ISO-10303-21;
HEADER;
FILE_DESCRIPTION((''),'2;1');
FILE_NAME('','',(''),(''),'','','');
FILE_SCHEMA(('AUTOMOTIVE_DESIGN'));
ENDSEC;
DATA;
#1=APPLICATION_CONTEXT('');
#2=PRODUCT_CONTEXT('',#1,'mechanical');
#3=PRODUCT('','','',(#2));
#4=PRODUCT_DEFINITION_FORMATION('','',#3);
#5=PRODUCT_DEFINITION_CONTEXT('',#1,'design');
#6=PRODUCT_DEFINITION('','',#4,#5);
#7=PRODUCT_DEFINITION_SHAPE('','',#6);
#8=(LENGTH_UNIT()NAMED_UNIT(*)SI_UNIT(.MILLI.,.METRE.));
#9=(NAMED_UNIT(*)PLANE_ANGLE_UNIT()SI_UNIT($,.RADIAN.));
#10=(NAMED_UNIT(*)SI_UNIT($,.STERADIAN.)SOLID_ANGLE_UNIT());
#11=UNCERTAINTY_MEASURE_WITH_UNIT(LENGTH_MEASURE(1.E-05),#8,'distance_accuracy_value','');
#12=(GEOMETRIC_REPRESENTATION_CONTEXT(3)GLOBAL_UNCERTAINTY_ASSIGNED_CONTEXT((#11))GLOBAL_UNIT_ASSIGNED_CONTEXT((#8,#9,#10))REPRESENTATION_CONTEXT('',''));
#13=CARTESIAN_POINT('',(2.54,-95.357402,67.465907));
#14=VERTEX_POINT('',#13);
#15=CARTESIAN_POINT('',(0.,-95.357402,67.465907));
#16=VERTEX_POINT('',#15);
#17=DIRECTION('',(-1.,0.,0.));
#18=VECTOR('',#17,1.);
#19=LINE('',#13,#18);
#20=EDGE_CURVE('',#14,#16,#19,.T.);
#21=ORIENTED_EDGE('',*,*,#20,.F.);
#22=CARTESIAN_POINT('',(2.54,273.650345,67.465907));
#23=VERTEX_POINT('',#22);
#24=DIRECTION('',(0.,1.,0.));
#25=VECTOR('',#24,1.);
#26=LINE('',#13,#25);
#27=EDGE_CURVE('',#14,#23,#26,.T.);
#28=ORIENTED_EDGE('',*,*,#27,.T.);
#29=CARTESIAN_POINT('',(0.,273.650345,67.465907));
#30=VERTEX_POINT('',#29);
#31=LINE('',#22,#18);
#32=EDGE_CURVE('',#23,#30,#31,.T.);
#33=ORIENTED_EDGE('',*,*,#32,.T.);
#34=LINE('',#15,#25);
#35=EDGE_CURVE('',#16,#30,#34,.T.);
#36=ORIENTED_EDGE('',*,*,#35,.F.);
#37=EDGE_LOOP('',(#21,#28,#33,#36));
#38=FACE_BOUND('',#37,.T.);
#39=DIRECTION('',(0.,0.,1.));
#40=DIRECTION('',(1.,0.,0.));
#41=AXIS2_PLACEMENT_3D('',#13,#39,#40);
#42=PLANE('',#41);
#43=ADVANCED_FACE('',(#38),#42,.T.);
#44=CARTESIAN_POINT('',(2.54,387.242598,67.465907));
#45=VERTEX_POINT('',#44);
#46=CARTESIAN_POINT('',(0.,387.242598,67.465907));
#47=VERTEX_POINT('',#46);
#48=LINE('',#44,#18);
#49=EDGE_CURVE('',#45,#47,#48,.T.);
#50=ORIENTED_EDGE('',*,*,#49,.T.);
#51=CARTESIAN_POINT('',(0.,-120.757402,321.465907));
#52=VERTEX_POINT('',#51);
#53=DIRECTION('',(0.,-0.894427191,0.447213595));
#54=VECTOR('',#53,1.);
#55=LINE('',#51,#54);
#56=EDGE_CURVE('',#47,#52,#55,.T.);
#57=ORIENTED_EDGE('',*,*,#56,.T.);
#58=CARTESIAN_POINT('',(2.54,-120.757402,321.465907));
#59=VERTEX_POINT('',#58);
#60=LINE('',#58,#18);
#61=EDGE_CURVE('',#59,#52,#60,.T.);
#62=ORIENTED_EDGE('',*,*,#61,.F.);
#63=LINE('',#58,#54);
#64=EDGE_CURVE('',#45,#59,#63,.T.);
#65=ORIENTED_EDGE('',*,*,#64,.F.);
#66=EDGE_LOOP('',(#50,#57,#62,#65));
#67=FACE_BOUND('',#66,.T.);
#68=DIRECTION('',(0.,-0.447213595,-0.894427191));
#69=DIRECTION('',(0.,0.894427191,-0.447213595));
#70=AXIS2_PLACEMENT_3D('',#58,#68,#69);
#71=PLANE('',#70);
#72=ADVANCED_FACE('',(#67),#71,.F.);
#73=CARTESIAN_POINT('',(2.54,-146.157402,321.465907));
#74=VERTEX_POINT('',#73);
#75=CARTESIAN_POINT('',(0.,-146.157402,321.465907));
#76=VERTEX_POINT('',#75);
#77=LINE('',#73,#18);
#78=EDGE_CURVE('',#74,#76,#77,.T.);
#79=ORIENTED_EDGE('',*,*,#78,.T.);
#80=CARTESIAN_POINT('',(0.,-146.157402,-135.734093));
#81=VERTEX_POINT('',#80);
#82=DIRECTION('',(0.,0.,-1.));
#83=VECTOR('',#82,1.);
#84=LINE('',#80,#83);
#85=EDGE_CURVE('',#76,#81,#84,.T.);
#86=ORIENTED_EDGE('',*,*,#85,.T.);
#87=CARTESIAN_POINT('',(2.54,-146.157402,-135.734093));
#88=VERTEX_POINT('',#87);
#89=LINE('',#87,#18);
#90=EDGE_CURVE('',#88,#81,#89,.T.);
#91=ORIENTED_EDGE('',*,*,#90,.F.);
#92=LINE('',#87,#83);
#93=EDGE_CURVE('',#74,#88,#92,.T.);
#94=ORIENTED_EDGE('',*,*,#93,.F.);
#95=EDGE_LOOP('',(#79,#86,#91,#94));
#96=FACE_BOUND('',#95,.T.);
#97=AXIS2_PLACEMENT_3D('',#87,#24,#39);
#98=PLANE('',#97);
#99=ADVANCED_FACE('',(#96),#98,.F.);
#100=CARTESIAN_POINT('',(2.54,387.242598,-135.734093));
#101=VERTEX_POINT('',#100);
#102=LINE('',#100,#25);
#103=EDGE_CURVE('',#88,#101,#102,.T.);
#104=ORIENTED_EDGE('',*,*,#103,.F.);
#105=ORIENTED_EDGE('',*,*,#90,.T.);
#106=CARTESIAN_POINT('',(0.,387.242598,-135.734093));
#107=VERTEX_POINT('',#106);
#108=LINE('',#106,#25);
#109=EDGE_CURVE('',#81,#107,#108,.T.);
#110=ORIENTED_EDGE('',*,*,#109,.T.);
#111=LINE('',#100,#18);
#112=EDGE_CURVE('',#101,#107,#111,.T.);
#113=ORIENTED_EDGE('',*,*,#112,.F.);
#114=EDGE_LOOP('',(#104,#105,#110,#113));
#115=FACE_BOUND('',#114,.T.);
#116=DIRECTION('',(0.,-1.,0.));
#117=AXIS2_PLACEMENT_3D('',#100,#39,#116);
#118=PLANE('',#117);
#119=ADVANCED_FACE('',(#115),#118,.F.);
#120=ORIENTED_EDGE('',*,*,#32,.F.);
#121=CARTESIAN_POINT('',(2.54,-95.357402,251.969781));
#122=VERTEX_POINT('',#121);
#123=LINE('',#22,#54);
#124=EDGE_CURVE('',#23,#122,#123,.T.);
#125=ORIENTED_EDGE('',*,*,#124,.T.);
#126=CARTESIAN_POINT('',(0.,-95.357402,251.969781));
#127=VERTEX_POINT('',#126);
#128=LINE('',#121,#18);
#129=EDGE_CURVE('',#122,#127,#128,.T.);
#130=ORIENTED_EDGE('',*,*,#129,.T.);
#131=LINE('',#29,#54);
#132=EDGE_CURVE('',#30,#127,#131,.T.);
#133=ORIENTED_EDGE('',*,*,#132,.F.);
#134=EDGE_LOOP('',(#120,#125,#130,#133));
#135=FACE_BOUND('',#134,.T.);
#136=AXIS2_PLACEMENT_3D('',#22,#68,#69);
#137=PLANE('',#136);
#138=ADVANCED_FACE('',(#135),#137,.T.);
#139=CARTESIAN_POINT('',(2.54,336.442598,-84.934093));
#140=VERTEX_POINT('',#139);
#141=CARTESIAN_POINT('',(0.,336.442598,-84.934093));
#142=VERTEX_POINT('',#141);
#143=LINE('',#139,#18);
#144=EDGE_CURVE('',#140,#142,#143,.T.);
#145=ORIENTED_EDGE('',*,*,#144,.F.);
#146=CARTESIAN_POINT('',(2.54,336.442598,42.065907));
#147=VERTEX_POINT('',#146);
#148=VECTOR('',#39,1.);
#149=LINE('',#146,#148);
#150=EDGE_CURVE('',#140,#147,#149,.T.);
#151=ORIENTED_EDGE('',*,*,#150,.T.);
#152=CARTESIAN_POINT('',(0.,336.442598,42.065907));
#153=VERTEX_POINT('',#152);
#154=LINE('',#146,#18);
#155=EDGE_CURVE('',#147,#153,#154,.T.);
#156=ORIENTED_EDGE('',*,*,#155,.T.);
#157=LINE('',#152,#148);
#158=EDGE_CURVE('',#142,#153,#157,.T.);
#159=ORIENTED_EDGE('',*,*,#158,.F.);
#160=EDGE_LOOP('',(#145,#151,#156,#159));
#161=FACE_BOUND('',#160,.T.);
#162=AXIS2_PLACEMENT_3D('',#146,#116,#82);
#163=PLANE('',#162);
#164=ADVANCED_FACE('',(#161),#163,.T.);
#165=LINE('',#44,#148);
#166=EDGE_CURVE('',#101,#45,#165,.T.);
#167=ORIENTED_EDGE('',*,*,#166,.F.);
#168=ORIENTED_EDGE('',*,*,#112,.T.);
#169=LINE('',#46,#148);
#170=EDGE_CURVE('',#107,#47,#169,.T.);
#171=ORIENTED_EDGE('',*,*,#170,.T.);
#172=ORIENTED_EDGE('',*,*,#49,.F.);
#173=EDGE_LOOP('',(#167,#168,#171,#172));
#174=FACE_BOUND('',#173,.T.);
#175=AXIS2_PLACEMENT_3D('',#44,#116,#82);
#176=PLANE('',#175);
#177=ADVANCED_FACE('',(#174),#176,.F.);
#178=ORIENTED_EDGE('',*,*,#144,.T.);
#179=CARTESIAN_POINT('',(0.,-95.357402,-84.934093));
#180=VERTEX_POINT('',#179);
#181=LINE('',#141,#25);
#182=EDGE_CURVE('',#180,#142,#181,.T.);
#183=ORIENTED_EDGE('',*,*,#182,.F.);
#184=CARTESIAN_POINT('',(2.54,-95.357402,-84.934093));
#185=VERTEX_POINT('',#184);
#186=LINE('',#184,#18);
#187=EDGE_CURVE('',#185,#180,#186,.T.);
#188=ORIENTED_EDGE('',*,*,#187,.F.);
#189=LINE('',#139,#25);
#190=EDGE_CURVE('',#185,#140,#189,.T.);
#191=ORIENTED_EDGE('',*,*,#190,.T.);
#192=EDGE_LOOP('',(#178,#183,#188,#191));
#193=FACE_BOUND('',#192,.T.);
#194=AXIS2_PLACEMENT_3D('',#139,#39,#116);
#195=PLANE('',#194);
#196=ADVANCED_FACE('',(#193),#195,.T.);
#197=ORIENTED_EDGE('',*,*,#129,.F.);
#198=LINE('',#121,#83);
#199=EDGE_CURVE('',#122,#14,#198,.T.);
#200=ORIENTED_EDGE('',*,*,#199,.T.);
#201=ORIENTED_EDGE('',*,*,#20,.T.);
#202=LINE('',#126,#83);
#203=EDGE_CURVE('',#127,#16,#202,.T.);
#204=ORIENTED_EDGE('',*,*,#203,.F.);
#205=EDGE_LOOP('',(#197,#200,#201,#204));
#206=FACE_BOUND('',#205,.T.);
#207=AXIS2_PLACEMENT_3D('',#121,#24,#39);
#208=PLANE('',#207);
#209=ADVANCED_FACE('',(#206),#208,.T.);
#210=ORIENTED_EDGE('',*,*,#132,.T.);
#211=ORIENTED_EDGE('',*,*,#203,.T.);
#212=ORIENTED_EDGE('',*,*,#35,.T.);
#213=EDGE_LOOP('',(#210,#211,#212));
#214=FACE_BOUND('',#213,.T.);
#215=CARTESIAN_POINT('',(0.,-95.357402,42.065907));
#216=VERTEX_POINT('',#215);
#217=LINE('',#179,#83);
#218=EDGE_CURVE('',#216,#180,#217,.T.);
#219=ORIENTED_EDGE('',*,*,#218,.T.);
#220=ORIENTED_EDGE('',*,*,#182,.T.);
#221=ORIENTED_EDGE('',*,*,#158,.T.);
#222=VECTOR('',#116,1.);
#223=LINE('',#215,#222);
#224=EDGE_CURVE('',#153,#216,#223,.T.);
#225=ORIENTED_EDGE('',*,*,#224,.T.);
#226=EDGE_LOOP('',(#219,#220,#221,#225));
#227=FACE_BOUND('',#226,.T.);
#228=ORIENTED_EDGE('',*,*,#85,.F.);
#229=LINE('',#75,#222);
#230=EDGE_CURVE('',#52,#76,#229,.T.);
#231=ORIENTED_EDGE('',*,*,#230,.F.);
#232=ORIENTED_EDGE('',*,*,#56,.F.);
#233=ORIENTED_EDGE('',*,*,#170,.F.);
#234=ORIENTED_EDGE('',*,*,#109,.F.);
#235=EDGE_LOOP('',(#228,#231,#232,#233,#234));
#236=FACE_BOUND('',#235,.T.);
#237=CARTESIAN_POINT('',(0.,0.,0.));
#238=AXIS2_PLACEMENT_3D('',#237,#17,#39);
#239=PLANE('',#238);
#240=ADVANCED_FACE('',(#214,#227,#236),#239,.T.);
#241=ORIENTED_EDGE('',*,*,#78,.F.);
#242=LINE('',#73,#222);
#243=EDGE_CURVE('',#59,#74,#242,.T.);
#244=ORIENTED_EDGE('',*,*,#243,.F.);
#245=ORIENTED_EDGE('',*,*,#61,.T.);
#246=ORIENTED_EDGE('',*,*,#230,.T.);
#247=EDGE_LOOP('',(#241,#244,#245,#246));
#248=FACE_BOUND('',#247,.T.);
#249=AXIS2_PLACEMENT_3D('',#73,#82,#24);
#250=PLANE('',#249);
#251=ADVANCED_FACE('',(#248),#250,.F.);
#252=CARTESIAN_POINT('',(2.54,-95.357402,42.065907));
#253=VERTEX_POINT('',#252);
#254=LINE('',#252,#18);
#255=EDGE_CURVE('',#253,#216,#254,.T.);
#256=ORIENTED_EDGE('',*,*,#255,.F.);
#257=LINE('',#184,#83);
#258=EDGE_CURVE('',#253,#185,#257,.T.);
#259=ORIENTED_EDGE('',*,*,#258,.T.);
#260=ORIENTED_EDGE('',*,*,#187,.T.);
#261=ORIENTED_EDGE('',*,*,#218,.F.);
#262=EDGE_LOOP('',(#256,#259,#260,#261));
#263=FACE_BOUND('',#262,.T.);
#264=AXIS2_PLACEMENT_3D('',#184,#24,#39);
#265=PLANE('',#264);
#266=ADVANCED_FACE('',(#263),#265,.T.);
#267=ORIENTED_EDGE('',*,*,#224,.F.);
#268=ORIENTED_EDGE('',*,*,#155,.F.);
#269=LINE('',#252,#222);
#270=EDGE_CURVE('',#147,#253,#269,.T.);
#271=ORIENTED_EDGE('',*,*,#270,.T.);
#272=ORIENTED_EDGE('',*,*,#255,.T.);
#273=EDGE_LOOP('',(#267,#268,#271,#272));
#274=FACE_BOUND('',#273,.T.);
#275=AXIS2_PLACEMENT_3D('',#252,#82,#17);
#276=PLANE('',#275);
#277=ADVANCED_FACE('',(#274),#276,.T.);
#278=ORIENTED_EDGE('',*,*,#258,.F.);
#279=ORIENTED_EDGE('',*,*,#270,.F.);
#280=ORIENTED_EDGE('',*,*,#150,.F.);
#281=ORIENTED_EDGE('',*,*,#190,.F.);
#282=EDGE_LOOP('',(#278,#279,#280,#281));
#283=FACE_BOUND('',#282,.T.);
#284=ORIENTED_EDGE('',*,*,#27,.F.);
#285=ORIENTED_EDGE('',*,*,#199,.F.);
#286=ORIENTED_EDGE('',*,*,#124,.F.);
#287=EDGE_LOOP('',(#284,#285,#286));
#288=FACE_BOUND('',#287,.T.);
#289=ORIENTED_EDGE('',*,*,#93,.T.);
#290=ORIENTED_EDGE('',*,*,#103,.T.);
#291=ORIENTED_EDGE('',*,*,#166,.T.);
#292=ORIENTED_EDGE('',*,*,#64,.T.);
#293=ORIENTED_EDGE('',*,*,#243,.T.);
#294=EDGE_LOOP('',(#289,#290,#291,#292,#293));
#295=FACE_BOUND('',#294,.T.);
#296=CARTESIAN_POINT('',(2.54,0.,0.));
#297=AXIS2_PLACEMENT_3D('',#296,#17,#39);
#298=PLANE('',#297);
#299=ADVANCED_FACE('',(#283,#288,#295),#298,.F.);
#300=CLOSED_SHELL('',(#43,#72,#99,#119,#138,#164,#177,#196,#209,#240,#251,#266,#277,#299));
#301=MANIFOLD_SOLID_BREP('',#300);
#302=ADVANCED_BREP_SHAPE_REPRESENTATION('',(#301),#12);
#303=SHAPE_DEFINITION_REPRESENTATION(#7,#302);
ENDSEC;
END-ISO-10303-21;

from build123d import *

# Parameters (mm, degrees)
SKETCH1_W           = 127
SKETCH1_H           = 431.8
BOSS_EXTRUDE1_DEPTH = 2.54


with BuildPart() as part:
    # Sketch1 → Boss-Extrude1 (new body)
    with BuildSketch(Plane(origin=(0, 0, 0), x_dir=(0, 0, -1), z_dir=(1, 0, 0))):
        Polygon((-67.465907198, 387.242597926), (135.734092802, 387.242597926), (135.734092802, -146.157402074), (-321.465907198, -146.157402074), (-321.465907198, -120.757402074), align=None)
        with Locations((21.434092802, 120.542597926)):
            Rectangle(SKETCH1_W, SKETCH1_H, mode=Mode.SUBTRACT)
        Polygon((-67.465907198, 273.650344669), (-251.969780569, -95.357402074), (-67.465907198, -95.357402074), align=None, mode=Mode.SUBTRACT)
    extrude(amount=BOSS_EXTRUDE1_DEPTH)


solid = part.part
